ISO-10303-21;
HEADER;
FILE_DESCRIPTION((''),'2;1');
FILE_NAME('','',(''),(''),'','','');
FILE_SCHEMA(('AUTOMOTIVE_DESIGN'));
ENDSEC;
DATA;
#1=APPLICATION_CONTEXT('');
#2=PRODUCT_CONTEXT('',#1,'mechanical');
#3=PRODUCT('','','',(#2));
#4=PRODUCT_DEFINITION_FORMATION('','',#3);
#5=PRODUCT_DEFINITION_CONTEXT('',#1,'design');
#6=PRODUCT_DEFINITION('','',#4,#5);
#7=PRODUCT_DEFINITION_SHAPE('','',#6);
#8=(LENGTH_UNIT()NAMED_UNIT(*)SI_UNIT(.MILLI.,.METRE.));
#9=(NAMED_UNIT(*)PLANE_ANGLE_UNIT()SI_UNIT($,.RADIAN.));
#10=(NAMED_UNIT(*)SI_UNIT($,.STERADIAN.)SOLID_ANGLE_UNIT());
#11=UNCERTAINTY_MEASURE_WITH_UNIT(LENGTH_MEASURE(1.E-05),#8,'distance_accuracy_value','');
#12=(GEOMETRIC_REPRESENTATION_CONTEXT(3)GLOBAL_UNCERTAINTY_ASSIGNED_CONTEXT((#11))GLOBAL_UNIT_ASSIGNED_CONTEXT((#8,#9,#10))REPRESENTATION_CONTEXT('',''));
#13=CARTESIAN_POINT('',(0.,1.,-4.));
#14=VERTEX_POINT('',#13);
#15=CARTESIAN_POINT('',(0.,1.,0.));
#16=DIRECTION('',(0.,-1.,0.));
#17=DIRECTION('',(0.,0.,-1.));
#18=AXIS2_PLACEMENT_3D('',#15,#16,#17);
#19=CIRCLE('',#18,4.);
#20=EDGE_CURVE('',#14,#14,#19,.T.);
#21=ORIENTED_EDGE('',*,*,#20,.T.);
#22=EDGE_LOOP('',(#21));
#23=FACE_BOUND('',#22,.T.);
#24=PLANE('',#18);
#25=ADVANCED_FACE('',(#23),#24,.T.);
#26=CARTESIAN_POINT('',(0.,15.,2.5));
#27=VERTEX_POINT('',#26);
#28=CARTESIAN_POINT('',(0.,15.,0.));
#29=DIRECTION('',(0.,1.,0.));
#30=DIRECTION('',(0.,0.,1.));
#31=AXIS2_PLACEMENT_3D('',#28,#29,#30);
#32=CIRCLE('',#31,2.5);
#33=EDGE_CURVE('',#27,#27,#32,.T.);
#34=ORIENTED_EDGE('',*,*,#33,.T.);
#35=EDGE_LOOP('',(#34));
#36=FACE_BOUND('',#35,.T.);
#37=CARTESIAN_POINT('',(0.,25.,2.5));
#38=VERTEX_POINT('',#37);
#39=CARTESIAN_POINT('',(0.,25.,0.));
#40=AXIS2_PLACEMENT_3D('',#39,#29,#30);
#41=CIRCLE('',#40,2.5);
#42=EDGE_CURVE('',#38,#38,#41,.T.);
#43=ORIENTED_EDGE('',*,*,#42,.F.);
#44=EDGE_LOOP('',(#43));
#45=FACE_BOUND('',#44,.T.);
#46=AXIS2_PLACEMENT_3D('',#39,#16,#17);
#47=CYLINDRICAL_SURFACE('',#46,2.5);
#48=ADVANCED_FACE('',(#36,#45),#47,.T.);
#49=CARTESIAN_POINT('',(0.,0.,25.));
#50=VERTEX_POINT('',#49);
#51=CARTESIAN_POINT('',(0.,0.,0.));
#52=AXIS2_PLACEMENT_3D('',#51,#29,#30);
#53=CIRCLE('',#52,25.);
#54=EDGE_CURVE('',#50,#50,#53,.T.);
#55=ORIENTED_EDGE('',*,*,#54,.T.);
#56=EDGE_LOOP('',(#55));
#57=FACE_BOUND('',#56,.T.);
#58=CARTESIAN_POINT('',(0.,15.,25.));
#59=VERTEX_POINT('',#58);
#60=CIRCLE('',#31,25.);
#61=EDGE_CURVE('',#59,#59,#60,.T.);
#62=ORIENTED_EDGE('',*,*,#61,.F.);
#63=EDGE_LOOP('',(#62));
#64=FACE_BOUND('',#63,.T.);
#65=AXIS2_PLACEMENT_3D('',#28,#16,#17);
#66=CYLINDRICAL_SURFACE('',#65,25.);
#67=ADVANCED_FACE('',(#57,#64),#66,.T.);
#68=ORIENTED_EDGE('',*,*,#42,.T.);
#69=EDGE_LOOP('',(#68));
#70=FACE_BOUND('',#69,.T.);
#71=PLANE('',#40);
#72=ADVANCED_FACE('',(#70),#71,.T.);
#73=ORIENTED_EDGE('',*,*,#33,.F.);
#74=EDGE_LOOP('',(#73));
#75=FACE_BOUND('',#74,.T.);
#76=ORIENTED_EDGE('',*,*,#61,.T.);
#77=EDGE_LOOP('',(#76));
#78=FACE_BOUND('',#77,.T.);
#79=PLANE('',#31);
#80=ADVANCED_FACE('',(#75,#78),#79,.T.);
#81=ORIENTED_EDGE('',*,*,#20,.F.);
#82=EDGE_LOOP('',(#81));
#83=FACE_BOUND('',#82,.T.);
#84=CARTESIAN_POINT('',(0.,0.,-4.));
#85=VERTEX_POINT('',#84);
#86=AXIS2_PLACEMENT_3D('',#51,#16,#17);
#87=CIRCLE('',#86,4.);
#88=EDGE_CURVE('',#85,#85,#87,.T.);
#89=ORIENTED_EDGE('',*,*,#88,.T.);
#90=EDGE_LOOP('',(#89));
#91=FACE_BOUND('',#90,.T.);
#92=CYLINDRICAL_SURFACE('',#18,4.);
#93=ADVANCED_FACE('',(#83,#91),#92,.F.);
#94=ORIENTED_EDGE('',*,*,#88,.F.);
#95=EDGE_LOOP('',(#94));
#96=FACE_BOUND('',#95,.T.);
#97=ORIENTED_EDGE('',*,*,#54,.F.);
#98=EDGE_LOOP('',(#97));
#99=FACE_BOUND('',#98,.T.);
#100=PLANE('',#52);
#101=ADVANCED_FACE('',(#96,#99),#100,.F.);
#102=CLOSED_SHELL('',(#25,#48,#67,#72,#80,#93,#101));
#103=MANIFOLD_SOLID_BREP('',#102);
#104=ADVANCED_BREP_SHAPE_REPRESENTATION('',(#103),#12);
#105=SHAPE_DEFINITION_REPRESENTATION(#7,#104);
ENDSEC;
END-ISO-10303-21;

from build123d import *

# Parameters (mm, degrees)
SKETCH1_R           = 25
BOSS_EXTRUDE1_DEPTH = 15
SKETCH2_R           = 4
CUT_EXTRUDE1_DEPTH  = 1
SKETCH3_R           = 2.5
BOSS_EXTRUDE2_DEPTH = 10


with BuildPart() as part:
    # Sketch1 → Boss-Extrude1 (new body)
    with BuildSketch(Plane(origin=(0, 0, 0), x_dir=(1, 0, 0), z_dir=(0, 1, 0))):
        with Locations(Location((0, 0, 0), (0, 0, 270))):
            Circle(SKETCH1_R)
    extrude(amount=BOSS_EXTRUDE1_DEPTH)

    # Sketch2 → Cut-Extrude1 (cut)
    with BuildSketch(Plane.XZ):
        with Locations(Location((0, 0, 0), (0, 0, 270))):
            Circle(SKETCH2_R)
    extrude(amount=-CUT_EXTRUDE1_DEPTH, mode=Mode.SUBTRACT)

    # Sketch3 → Boss-Extrude2 (add)
    with BuildSketch(Plane(origin=(0, 15, 0), x_dir=(1, 0, 0), z_dir=(0, 1, 0))):
        with Locations(Location((0, 0, 0), (0, 0, 270))):
            Circle(SKETCH3_R)
    extrude(amount=BOSS_EXTRUDE2_DEPTH)


solid = part.part
